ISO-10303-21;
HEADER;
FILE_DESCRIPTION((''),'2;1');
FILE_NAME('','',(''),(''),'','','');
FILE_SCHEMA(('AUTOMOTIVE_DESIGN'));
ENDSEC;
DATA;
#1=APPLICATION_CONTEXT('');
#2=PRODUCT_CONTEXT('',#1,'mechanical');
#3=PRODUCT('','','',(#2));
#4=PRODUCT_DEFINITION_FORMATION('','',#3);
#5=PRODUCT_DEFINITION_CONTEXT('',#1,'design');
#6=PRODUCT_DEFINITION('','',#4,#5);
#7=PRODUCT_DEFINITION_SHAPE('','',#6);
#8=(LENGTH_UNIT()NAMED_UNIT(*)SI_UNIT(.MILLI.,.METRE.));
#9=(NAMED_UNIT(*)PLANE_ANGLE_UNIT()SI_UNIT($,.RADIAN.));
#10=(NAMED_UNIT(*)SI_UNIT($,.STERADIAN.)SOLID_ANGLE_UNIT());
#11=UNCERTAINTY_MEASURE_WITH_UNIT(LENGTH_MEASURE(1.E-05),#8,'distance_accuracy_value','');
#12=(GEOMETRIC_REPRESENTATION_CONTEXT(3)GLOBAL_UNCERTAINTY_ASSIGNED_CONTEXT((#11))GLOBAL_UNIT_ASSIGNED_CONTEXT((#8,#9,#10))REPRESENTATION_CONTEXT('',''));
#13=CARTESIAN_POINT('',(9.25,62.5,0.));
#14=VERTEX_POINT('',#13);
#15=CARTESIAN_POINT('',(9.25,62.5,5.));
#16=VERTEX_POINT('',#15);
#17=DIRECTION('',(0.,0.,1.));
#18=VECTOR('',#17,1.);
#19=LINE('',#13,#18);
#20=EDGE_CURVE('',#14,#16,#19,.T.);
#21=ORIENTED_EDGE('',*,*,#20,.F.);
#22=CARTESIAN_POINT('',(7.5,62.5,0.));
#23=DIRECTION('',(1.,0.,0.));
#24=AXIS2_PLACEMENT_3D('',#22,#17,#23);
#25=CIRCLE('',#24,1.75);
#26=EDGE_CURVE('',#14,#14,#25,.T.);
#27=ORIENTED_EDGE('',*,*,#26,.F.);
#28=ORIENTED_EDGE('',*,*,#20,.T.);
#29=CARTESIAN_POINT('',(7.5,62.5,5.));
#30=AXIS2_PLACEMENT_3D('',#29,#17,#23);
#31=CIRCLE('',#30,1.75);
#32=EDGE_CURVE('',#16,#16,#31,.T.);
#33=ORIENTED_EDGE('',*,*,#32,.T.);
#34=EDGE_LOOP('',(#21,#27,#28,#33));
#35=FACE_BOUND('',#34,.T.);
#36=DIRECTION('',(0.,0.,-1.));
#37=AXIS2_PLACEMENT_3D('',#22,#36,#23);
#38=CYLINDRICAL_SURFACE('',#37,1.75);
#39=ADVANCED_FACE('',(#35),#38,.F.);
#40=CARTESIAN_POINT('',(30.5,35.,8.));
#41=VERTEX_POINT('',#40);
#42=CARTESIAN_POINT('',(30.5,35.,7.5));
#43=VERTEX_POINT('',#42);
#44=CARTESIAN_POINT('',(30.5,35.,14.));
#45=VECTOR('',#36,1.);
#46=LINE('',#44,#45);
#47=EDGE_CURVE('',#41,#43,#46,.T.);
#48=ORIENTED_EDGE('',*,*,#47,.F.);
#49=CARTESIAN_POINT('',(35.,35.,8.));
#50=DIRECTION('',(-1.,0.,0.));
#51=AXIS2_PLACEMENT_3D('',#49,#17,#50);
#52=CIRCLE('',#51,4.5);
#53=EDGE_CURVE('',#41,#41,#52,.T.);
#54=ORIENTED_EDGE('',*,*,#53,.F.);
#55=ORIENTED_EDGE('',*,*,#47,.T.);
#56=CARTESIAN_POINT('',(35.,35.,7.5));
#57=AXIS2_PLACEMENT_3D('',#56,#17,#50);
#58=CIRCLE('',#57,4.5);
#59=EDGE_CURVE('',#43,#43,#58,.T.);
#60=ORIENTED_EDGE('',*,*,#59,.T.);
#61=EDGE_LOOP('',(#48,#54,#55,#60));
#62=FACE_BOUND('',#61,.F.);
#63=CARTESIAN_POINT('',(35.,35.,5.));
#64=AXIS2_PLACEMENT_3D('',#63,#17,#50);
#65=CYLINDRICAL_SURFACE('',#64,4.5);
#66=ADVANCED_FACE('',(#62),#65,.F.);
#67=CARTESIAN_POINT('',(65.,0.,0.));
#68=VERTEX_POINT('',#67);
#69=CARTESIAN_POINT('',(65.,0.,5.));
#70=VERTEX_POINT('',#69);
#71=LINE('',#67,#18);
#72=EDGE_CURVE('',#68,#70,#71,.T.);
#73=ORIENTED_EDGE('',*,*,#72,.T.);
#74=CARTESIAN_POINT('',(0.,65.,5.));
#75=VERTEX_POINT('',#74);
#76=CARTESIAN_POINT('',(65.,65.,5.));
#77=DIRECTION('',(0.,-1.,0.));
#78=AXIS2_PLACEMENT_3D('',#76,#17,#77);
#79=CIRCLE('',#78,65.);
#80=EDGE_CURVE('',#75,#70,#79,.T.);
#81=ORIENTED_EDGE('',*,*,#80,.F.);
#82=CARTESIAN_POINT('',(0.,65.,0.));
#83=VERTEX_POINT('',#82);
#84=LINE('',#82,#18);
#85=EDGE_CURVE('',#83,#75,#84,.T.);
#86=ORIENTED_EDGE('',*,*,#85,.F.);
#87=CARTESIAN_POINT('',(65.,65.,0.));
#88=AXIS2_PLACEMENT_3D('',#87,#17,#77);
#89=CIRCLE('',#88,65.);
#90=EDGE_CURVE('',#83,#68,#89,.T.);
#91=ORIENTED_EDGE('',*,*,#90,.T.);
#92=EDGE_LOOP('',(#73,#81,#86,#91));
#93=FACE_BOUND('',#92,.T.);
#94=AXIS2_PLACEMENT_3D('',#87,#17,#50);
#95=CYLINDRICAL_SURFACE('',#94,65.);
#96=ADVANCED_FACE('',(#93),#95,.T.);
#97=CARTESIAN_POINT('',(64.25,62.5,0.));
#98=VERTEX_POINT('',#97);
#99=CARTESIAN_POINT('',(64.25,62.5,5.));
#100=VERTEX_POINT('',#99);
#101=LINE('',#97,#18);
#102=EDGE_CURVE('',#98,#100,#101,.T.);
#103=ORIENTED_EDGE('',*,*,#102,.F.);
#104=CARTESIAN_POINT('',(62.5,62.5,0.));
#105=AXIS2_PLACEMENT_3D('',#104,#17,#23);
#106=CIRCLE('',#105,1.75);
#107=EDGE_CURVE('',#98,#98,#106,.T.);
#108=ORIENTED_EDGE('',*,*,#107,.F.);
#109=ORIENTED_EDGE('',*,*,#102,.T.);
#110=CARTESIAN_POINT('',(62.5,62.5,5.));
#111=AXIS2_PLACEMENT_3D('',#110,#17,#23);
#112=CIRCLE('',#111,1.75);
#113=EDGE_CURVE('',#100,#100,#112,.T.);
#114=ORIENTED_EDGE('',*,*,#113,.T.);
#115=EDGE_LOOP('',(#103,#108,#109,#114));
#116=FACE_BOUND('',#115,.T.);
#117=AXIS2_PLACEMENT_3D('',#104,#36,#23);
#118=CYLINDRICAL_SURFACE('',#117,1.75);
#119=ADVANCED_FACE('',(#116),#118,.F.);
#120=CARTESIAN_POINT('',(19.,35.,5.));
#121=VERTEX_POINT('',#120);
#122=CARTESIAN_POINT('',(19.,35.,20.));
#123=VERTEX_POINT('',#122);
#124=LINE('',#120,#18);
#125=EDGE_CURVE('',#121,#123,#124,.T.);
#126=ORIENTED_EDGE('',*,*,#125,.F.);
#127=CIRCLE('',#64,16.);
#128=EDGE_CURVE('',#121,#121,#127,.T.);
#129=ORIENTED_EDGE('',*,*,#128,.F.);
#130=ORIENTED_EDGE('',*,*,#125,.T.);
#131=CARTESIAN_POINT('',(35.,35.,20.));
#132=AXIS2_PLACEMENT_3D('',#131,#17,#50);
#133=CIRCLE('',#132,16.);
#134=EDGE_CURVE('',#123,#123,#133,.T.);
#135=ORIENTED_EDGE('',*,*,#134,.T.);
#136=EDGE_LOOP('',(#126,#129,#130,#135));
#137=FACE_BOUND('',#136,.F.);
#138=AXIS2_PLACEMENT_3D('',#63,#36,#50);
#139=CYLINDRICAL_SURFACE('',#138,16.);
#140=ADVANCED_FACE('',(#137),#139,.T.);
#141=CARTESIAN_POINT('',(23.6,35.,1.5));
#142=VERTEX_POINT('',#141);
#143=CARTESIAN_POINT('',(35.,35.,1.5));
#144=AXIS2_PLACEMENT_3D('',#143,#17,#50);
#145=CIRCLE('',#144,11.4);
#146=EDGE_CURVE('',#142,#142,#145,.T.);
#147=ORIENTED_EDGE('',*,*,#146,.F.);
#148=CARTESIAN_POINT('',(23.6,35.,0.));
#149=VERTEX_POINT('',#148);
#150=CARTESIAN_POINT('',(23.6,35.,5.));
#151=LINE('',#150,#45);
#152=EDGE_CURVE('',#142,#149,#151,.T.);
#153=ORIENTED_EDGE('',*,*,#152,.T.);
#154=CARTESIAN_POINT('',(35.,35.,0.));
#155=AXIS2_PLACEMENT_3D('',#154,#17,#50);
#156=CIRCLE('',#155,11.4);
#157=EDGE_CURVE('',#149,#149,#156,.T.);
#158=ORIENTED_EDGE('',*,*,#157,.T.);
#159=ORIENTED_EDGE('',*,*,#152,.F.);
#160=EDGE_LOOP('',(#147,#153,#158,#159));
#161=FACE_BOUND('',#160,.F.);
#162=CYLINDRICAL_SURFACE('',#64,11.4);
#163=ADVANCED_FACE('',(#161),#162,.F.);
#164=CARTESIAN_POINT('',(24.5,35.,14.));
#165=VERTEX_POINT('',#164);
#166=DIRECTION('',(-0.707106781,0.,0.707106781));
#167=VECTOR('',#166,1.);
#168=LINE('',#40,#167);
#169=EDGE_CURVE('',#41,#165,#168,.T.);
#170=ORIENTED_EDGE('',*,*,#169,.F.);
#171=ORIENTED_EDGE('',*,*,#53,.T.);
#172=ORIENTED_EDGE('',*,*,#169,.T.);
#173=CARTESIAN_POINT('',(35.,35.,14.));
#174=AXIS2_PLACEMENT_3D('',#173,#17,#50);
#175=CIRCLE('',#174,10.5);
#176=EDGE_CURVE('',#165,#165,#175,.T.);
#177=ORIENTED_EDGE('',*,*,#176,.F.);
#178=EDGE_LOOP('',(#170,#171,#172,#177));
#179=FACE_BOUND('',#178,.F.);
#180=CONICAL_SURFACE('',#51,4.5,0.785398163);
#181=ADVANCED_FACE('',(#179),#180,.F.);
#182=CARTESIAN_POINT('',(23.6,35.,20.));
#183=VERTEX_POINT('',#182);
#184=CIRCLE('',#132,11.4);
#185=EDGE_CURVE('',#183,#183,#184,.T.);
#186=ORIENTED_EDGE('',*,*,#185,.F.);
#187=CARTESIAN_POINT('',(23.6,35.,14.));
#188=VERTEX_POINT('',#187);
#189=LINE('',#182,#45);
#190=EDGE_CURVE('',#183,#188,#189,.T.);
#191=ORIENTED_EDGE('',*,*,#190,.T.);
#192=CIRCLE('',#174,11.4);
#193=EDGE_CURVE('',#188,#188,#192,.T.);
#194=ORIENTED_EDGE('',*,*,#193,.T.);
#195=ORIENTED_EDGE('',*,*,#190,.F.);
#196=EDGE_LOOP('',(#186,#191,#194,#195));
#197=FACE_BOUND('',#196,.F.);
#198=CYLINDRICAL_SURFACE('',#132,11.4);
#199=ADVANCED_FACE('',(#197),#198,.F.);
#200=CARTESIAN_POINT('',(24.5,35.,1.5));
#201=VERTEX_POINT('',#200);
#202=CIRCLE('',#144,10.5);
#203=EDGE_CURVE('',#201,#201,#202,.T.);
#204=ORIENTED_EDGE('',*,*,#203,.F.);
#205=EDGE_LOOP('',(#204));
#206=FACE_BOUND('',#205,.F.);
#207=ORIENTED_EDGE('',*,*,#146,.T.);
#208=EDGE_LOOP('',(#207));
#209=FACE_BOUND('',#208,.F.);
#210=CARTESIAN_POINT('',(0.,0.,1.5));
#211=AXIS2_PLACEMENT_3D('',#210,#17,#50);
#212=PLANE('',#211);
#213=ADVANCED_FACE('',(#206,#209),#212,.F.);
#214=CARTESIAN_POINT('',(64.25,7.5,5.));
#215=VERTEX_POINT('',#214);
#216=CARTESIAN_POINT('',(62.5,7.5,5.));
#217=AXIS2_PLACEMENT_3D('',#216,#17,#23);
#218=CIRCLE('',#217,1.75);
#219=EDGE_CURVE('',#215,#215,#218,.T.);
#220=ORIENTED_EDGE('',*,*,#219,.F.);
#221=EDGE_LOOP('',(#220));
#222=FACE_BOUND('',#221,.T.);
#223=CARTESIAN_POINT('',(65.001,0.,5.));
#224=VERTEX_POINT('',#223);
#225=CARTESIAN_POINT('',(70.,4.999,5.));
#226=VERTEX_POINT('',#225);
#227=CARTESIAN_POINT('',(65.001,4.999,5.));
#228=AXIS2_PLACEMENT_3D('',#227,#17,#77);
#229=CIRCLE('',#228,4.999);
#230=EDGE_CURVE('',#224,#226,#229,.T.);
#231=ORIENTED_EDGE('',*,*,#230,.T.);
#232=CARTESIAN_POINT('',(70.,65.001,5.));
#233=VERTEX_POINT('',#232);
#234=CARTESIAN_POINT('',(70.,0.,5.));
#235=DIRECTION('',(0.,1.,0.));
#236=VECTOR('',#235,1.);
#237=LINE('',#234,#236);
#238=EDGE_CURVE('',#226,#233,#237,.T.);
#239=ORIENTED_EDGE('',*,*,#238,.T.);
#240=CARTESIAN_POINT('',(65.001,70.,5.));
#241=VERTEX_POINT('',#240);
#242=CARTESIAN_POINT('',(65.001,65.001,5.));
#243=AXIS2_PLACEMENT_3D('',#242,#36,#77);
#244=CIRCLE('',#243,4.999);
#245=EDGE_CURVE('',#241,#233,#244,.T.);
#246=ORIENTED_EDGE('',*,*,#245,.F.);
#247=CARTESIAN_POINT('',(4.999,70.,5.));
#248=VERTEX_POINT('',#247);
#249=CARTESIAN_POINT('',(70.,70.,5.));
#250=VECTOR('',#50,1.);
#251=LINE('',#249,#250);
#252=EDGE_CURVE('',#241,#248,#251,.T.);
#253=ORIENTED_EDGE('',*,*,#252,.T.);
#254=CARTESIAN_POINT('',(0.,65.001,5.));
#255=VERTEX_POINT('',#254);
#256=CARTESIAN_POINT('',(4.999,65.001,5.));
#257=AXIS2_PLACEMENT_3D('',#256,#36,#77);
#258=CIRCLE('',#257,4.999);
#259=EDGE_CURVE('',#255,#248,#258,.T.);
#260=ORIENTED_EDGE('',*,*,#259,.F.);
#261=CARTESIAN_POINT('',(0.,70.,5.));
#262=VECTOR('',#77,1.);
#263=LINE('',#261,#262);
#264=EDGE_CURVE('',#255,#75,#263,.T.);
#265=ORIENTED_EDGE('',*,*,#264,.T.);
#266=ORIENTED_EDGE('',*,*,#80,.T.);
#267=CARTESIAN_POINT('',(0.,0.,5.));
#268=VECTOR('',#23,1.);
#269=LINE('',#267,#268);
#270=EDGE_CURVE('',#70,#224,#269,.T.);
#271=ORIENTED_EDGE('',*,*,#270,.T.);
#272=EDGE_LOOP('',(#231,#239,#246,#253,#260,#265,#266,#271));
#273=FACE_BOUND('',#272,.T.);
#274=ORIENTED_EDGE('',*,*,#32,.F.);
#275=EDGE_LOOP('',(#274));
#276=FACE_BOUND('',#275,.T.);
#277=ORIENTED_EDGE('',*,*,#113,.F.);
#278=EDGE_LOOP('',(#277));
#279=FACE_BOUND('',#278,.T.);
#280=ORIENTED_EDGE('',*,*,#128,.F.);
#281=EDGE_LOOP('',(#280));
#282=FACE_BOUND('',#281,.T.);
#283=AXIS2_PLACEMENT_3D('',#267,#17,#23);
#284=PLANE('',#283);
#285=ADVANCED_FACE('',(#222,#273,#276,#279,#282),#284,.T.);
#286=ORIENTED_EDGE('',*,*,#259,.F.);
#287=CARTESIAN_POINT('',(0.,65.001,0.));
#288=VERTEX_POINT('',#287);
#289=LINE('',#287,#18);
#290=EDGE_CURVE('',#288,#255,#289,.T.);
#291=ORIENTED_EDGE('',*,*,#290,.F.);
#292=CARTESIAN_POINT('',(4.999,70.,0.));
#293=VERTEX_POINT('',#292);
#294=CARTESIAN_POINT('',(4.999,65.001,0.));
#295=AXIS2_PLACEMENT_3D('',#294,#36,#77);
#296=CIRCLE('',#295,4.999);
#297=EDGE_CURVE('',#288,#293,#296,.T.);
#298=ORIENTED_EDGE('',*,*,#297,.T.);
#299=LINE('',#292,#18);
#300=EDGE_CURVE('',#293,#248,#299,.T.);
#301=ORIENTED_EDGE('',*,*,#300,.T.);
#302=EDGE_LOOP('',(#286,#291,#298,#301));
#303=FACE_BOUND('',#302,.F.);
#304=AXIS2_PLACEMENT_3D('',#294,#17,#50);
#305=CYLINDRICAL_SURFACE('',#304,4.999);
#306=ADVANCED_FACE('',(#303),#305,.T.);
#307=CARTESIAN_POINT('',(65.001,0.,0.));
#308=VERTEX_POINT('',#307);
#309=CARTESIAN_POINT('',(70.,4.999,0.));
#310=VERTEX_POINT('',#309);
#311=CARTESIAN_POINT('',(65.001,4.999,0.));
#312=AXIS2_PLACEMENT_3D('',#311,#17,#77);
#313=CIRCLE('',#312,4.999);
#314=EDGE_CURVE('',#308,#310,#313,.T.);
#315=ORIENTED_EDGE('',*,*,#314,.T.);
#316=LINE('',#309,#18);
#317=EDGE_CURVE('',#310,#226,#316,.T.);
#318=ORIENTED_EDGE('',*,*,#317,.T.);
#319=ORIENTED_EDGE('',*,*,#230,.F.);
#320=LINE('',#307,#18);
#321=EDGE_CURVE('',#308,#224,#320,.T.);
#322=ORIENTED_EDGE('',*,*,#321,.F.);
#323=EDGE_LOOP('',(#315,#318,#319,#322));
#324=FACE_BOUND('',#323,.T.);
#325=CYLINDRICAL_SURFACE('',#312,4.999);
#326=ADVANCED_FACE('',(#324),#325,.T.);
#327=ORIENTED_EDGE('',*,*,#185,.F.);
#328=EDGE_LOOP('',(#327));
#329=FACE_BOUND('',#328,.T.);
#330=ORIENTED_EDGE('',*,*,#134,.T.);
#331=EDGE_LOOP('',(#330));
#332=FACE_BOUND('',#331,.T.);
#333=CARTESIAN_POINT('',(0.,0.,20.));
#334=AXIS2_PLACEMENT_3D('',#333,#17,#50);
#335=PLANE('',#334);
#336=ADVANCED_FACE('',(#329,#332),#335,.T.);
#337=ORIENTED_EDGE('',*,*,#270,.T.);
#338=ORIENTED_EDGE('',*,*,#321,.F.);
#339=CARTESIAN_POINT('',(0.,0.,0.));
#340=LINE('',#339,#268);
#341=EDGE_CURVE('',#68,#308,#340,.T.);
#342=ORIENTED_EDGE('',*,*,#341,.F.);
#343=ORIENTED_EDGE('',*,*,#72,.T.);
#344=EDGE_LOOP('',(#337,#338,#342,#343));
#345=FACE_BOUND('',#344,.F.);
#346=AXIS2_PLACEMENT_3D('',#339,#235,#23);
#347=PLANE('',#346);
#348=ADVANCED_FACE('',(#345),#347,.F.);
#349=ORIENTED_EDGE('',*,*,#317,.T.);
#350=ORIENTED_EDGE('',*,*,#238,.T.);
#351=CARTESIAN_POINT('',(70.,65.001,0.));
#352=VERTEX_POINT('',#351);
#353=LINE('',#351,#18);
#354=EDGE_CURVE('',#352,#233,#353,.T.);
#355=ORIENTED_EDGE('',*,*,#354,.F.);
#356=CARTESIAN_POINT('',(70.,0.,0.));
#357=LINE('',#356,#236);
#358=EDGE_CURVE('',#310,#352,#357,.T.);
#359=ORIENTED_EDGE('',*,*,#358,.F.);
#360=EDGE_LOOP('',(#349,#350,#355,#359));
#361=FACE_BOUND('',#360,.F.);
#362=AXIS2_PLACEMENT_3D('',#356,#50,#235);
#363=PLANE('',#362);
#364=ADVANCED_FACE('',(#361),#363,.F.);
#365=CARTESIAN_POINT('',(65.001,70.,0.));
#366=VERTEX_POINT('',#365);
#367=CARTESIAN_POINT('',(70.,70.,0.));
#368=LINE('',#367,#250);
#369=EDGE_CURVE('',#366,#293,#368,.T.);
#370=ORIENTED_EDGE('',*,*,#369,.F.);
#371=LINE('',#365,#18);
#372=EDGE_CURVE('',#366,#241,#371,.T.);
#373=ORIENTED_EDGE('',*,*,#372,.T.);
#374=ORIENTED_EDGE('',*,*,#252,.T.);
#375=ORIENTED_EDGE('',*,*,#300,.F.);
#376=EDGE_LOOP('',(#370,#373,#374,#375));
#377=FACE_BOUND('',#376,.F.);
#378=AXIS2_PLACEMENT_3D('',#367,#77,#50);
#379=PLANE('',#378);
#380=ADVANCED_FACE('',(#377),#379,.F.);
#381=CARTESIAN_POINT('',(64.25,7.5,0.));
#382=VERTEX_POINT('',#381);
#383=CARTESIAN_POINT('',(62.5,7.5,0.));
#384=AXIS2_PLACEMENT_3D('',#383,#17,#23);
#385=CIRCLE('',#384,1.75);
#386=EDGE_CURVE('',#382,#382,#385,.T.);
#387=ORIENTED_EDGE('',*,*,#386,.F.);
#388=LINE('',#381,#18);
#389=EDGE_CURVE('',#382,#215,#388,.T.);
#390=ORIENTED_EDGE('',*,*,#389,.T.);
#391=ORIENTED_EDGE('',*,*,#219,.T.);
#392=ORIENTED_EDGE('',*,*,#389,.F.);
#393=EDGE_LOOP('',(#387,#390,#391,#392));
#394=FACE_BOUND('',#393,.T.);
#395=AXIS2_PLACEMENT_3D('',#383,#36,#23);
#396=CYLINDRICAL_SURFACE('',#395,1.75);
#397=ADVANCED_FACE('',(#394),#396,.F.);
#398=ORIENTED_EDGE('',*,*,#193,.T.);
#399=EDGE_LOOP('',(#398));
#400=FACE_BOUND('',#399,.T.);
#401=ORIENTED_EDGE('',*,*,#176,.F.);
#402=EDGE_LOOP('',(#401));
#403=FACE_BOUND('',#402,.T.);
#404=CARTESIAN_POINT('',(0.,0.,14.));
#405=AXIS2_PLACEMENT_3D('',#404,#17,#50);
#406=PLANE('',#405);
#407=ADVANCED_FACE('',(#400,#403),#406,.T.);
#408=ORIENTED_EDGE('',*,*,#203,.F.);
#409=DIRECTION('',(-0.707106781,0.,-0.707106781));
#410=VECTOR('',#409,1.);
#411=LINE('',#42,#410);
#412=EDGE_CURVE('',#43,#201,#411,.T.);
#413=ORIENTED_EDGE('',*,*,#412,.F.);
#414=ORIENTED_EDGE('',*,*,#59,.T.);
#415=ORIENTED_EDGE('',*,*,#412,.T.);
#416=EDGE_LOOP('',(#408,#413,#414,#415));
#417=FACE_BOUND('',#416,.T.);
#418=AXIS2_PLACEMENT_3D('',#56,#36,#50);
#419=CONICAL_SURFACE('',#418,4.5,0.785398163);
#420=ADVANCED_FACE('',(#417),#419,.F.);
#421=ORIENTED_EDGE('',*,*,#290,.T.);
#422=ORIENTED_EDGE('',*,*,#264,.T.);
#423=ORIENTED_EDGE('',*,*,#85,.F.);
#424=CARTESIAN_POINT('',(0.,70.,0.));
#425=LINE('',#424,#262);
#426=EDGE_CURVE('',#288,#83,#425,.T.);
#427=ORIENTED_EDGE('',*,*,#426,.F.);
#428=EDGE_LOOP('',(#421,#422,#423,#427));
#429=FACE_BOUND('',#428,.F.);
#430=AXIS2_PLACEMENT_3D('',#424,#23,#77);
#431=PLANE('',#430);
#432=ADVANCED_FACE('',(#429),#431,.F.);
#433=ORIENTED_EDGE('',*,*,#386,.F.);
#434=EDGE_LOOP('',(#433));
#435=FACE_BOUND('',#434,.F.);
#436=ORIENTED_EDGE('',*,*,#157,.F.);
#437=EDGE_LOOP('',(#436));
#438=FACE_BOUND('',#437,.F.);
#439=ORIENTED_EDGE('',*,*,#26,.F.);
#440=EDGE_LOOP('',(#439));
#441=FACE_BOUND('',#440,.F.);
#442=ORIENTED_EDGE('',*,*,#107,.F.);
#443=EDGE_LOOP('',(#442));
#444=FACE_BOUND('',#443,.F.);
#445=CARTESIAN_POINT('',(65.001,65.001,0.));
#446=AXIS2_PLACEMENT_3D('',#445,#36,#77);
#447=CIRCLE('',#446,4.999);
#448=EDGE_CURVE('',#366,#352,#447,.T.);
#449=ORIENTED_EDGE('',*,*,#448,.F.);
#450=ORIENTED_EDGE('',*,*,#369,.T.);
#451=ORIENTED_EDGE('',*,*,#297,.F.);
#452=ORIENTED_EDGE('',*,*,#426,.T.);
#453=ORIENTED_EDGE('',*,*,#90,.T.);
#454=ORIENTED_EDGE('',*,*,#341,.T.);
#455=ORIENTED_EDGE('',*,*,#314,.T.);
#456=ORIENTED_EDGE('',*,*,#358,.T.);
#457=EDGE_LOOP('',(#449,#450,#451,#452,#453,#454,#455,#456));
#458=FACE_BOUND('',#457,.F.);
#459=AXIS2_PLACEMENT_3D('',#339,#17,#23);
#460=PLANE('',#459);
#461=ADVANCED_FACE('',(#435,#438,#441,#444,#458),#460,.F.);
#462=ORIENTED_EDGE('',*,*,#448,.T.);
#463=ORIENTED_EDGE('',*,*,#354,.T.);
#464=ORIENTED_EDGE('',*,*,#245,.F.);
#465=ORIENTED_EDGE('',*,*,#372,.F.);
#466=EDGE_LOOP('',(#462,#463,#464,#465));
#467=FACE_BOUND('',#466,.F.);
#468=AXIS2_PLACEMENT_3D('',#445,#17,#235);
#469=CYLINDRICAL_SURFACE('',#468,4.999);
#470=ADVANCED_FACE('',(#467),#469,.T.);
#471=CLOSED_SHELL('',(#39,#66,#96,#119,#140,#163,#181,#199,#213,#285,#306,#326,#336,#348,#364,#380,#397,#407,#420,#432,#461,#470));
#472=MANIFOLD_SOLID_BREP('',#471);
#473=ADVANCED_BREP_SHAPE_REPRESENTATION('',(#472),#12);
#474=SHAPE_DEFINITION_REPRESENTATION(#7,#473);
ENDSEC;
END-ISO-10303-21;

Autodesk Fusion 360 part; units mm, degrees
sketch "Sketch1" plane through (0, 0, 0) normal (0, 0, 1) x (1, 0, 0)
  line L0 (0, 0) -> (70, 0)
  line L1 (70, 0) -> (70, 70)
  line L2 (70, 70) -> (0, 70)
  line L3 (0, 70) -> (0, 0)
  circle A0 centre (7.5, 62.5) radius 1.75
  circle A1 centre (62.5, 62.5) radius 1.75
  circle A2 centre (7.5, 7.5) radius 1.75
  circle A3 centre (62.5, 7.5) radius 1.75
  dimension "d1" = 70
  dimension "d2" = 70
  dimension "d3" = 3.5
  dimension "d4" = 7.5
  dimension "d5" = 7.5
  dimension "d8" = 55
  dimension "d9" = -55
extrude "Extrude1" add sketch "Sketch1" along normal blind 5
sketch "Sketch2" plane through (0, 0, 5) normal (0, 0, 1) x (-1, 0, 0)
  circle A0 centre (-62.5, -7.5) radius 1.75
  circle A1 centre (-7.5, -62.5) radius 1.75
  circle A2 centre (-7.5, -7.5) radius 1.75
  circle A3 centre (-62.5, -62.5) radius 1.75
  line L0 (0, -70) -> (0, 0)
  line L1 (0, 0) -> (-70, 0)
  line L2 (-70, 0) -> (-70, -70)
  line L3 (-70, -70) -> (0, -70)
  circle A4 centre (-35, -35) radius 11.4
  dimension "d12" = 22.8
extrude "Extrude2" cut sketch "Sketch2" against normal blind 5 contours A4
sketch "Sketch3" plane through (0, 0, 5) normal (0, 0, 1) x (-1, 0, 0)
  circle A0 centre (-35, -35) radius 11.4
  circle A1 centre (-62.5, -7.5) radius 1.75
  circle A2 centre (-7.5, -62.5) radius 1.75
  circle A3 centre (-7.5, -7.5) radius 1.75
  circle A4 centre (-62.5, -62.5) radius 1.75
  line L0 (0, -70) -> (0, 0)
  line L1 (0, 0) -> (-70, 0)
  line L2 (-70, 0) -> (-70, -70)
  line L3 (-70, -70) -> (0, -70)
  circle A5 centre (-35, -35) radius 16
  dimension "d15" = 32
extrude "Extrude3" add sketch "Sketch3" along normal blind 15 contours A0 | A5
sketch "Sketch4" plane through (0, 0, 20) normal (0, 0, 1) x (-1, 0, 0)
  circle A0 centre (-35, -35) radius 16
  circle A1 centre (-35, -35) radius 4.5
  dimension "d18" = 9
extrude "Extrude4" cut sketch "Sketch4" against normal blind 45 contours A1
sketch "Sketch5" plane through (0, 0, 20) normal (0, 0, 1) x (-1, 0, 0)
  circle A0 centre (-35, -35) radius 4.5
  circle A1 centre (-35, -35) radius 16
  circle A2 centre (-35, -35) radius 11.4
  dimension "d21" = 22.8
extrude "Extrude5" cut sketch "Sketch5" against normal blind 6 contours A2
extrude "Extrude6" add 1 faces at (25.9592, 35.7899, 5) along direction (0, 0, -1) blind 3.5
chamfer "Chamfer1" distance 6 angle 45 2 edges at (39.1955, 36.6273, 14) (39.1955, 36.6273, 1.5)
fillet "Fillet2" radius 65 1 edges at (0, 0, 2.5)
fillet "Fillet3" radius 5 3 edges at (70, 0, 2.5) (70, 70, 2.5) (0, 70, 2.5)
